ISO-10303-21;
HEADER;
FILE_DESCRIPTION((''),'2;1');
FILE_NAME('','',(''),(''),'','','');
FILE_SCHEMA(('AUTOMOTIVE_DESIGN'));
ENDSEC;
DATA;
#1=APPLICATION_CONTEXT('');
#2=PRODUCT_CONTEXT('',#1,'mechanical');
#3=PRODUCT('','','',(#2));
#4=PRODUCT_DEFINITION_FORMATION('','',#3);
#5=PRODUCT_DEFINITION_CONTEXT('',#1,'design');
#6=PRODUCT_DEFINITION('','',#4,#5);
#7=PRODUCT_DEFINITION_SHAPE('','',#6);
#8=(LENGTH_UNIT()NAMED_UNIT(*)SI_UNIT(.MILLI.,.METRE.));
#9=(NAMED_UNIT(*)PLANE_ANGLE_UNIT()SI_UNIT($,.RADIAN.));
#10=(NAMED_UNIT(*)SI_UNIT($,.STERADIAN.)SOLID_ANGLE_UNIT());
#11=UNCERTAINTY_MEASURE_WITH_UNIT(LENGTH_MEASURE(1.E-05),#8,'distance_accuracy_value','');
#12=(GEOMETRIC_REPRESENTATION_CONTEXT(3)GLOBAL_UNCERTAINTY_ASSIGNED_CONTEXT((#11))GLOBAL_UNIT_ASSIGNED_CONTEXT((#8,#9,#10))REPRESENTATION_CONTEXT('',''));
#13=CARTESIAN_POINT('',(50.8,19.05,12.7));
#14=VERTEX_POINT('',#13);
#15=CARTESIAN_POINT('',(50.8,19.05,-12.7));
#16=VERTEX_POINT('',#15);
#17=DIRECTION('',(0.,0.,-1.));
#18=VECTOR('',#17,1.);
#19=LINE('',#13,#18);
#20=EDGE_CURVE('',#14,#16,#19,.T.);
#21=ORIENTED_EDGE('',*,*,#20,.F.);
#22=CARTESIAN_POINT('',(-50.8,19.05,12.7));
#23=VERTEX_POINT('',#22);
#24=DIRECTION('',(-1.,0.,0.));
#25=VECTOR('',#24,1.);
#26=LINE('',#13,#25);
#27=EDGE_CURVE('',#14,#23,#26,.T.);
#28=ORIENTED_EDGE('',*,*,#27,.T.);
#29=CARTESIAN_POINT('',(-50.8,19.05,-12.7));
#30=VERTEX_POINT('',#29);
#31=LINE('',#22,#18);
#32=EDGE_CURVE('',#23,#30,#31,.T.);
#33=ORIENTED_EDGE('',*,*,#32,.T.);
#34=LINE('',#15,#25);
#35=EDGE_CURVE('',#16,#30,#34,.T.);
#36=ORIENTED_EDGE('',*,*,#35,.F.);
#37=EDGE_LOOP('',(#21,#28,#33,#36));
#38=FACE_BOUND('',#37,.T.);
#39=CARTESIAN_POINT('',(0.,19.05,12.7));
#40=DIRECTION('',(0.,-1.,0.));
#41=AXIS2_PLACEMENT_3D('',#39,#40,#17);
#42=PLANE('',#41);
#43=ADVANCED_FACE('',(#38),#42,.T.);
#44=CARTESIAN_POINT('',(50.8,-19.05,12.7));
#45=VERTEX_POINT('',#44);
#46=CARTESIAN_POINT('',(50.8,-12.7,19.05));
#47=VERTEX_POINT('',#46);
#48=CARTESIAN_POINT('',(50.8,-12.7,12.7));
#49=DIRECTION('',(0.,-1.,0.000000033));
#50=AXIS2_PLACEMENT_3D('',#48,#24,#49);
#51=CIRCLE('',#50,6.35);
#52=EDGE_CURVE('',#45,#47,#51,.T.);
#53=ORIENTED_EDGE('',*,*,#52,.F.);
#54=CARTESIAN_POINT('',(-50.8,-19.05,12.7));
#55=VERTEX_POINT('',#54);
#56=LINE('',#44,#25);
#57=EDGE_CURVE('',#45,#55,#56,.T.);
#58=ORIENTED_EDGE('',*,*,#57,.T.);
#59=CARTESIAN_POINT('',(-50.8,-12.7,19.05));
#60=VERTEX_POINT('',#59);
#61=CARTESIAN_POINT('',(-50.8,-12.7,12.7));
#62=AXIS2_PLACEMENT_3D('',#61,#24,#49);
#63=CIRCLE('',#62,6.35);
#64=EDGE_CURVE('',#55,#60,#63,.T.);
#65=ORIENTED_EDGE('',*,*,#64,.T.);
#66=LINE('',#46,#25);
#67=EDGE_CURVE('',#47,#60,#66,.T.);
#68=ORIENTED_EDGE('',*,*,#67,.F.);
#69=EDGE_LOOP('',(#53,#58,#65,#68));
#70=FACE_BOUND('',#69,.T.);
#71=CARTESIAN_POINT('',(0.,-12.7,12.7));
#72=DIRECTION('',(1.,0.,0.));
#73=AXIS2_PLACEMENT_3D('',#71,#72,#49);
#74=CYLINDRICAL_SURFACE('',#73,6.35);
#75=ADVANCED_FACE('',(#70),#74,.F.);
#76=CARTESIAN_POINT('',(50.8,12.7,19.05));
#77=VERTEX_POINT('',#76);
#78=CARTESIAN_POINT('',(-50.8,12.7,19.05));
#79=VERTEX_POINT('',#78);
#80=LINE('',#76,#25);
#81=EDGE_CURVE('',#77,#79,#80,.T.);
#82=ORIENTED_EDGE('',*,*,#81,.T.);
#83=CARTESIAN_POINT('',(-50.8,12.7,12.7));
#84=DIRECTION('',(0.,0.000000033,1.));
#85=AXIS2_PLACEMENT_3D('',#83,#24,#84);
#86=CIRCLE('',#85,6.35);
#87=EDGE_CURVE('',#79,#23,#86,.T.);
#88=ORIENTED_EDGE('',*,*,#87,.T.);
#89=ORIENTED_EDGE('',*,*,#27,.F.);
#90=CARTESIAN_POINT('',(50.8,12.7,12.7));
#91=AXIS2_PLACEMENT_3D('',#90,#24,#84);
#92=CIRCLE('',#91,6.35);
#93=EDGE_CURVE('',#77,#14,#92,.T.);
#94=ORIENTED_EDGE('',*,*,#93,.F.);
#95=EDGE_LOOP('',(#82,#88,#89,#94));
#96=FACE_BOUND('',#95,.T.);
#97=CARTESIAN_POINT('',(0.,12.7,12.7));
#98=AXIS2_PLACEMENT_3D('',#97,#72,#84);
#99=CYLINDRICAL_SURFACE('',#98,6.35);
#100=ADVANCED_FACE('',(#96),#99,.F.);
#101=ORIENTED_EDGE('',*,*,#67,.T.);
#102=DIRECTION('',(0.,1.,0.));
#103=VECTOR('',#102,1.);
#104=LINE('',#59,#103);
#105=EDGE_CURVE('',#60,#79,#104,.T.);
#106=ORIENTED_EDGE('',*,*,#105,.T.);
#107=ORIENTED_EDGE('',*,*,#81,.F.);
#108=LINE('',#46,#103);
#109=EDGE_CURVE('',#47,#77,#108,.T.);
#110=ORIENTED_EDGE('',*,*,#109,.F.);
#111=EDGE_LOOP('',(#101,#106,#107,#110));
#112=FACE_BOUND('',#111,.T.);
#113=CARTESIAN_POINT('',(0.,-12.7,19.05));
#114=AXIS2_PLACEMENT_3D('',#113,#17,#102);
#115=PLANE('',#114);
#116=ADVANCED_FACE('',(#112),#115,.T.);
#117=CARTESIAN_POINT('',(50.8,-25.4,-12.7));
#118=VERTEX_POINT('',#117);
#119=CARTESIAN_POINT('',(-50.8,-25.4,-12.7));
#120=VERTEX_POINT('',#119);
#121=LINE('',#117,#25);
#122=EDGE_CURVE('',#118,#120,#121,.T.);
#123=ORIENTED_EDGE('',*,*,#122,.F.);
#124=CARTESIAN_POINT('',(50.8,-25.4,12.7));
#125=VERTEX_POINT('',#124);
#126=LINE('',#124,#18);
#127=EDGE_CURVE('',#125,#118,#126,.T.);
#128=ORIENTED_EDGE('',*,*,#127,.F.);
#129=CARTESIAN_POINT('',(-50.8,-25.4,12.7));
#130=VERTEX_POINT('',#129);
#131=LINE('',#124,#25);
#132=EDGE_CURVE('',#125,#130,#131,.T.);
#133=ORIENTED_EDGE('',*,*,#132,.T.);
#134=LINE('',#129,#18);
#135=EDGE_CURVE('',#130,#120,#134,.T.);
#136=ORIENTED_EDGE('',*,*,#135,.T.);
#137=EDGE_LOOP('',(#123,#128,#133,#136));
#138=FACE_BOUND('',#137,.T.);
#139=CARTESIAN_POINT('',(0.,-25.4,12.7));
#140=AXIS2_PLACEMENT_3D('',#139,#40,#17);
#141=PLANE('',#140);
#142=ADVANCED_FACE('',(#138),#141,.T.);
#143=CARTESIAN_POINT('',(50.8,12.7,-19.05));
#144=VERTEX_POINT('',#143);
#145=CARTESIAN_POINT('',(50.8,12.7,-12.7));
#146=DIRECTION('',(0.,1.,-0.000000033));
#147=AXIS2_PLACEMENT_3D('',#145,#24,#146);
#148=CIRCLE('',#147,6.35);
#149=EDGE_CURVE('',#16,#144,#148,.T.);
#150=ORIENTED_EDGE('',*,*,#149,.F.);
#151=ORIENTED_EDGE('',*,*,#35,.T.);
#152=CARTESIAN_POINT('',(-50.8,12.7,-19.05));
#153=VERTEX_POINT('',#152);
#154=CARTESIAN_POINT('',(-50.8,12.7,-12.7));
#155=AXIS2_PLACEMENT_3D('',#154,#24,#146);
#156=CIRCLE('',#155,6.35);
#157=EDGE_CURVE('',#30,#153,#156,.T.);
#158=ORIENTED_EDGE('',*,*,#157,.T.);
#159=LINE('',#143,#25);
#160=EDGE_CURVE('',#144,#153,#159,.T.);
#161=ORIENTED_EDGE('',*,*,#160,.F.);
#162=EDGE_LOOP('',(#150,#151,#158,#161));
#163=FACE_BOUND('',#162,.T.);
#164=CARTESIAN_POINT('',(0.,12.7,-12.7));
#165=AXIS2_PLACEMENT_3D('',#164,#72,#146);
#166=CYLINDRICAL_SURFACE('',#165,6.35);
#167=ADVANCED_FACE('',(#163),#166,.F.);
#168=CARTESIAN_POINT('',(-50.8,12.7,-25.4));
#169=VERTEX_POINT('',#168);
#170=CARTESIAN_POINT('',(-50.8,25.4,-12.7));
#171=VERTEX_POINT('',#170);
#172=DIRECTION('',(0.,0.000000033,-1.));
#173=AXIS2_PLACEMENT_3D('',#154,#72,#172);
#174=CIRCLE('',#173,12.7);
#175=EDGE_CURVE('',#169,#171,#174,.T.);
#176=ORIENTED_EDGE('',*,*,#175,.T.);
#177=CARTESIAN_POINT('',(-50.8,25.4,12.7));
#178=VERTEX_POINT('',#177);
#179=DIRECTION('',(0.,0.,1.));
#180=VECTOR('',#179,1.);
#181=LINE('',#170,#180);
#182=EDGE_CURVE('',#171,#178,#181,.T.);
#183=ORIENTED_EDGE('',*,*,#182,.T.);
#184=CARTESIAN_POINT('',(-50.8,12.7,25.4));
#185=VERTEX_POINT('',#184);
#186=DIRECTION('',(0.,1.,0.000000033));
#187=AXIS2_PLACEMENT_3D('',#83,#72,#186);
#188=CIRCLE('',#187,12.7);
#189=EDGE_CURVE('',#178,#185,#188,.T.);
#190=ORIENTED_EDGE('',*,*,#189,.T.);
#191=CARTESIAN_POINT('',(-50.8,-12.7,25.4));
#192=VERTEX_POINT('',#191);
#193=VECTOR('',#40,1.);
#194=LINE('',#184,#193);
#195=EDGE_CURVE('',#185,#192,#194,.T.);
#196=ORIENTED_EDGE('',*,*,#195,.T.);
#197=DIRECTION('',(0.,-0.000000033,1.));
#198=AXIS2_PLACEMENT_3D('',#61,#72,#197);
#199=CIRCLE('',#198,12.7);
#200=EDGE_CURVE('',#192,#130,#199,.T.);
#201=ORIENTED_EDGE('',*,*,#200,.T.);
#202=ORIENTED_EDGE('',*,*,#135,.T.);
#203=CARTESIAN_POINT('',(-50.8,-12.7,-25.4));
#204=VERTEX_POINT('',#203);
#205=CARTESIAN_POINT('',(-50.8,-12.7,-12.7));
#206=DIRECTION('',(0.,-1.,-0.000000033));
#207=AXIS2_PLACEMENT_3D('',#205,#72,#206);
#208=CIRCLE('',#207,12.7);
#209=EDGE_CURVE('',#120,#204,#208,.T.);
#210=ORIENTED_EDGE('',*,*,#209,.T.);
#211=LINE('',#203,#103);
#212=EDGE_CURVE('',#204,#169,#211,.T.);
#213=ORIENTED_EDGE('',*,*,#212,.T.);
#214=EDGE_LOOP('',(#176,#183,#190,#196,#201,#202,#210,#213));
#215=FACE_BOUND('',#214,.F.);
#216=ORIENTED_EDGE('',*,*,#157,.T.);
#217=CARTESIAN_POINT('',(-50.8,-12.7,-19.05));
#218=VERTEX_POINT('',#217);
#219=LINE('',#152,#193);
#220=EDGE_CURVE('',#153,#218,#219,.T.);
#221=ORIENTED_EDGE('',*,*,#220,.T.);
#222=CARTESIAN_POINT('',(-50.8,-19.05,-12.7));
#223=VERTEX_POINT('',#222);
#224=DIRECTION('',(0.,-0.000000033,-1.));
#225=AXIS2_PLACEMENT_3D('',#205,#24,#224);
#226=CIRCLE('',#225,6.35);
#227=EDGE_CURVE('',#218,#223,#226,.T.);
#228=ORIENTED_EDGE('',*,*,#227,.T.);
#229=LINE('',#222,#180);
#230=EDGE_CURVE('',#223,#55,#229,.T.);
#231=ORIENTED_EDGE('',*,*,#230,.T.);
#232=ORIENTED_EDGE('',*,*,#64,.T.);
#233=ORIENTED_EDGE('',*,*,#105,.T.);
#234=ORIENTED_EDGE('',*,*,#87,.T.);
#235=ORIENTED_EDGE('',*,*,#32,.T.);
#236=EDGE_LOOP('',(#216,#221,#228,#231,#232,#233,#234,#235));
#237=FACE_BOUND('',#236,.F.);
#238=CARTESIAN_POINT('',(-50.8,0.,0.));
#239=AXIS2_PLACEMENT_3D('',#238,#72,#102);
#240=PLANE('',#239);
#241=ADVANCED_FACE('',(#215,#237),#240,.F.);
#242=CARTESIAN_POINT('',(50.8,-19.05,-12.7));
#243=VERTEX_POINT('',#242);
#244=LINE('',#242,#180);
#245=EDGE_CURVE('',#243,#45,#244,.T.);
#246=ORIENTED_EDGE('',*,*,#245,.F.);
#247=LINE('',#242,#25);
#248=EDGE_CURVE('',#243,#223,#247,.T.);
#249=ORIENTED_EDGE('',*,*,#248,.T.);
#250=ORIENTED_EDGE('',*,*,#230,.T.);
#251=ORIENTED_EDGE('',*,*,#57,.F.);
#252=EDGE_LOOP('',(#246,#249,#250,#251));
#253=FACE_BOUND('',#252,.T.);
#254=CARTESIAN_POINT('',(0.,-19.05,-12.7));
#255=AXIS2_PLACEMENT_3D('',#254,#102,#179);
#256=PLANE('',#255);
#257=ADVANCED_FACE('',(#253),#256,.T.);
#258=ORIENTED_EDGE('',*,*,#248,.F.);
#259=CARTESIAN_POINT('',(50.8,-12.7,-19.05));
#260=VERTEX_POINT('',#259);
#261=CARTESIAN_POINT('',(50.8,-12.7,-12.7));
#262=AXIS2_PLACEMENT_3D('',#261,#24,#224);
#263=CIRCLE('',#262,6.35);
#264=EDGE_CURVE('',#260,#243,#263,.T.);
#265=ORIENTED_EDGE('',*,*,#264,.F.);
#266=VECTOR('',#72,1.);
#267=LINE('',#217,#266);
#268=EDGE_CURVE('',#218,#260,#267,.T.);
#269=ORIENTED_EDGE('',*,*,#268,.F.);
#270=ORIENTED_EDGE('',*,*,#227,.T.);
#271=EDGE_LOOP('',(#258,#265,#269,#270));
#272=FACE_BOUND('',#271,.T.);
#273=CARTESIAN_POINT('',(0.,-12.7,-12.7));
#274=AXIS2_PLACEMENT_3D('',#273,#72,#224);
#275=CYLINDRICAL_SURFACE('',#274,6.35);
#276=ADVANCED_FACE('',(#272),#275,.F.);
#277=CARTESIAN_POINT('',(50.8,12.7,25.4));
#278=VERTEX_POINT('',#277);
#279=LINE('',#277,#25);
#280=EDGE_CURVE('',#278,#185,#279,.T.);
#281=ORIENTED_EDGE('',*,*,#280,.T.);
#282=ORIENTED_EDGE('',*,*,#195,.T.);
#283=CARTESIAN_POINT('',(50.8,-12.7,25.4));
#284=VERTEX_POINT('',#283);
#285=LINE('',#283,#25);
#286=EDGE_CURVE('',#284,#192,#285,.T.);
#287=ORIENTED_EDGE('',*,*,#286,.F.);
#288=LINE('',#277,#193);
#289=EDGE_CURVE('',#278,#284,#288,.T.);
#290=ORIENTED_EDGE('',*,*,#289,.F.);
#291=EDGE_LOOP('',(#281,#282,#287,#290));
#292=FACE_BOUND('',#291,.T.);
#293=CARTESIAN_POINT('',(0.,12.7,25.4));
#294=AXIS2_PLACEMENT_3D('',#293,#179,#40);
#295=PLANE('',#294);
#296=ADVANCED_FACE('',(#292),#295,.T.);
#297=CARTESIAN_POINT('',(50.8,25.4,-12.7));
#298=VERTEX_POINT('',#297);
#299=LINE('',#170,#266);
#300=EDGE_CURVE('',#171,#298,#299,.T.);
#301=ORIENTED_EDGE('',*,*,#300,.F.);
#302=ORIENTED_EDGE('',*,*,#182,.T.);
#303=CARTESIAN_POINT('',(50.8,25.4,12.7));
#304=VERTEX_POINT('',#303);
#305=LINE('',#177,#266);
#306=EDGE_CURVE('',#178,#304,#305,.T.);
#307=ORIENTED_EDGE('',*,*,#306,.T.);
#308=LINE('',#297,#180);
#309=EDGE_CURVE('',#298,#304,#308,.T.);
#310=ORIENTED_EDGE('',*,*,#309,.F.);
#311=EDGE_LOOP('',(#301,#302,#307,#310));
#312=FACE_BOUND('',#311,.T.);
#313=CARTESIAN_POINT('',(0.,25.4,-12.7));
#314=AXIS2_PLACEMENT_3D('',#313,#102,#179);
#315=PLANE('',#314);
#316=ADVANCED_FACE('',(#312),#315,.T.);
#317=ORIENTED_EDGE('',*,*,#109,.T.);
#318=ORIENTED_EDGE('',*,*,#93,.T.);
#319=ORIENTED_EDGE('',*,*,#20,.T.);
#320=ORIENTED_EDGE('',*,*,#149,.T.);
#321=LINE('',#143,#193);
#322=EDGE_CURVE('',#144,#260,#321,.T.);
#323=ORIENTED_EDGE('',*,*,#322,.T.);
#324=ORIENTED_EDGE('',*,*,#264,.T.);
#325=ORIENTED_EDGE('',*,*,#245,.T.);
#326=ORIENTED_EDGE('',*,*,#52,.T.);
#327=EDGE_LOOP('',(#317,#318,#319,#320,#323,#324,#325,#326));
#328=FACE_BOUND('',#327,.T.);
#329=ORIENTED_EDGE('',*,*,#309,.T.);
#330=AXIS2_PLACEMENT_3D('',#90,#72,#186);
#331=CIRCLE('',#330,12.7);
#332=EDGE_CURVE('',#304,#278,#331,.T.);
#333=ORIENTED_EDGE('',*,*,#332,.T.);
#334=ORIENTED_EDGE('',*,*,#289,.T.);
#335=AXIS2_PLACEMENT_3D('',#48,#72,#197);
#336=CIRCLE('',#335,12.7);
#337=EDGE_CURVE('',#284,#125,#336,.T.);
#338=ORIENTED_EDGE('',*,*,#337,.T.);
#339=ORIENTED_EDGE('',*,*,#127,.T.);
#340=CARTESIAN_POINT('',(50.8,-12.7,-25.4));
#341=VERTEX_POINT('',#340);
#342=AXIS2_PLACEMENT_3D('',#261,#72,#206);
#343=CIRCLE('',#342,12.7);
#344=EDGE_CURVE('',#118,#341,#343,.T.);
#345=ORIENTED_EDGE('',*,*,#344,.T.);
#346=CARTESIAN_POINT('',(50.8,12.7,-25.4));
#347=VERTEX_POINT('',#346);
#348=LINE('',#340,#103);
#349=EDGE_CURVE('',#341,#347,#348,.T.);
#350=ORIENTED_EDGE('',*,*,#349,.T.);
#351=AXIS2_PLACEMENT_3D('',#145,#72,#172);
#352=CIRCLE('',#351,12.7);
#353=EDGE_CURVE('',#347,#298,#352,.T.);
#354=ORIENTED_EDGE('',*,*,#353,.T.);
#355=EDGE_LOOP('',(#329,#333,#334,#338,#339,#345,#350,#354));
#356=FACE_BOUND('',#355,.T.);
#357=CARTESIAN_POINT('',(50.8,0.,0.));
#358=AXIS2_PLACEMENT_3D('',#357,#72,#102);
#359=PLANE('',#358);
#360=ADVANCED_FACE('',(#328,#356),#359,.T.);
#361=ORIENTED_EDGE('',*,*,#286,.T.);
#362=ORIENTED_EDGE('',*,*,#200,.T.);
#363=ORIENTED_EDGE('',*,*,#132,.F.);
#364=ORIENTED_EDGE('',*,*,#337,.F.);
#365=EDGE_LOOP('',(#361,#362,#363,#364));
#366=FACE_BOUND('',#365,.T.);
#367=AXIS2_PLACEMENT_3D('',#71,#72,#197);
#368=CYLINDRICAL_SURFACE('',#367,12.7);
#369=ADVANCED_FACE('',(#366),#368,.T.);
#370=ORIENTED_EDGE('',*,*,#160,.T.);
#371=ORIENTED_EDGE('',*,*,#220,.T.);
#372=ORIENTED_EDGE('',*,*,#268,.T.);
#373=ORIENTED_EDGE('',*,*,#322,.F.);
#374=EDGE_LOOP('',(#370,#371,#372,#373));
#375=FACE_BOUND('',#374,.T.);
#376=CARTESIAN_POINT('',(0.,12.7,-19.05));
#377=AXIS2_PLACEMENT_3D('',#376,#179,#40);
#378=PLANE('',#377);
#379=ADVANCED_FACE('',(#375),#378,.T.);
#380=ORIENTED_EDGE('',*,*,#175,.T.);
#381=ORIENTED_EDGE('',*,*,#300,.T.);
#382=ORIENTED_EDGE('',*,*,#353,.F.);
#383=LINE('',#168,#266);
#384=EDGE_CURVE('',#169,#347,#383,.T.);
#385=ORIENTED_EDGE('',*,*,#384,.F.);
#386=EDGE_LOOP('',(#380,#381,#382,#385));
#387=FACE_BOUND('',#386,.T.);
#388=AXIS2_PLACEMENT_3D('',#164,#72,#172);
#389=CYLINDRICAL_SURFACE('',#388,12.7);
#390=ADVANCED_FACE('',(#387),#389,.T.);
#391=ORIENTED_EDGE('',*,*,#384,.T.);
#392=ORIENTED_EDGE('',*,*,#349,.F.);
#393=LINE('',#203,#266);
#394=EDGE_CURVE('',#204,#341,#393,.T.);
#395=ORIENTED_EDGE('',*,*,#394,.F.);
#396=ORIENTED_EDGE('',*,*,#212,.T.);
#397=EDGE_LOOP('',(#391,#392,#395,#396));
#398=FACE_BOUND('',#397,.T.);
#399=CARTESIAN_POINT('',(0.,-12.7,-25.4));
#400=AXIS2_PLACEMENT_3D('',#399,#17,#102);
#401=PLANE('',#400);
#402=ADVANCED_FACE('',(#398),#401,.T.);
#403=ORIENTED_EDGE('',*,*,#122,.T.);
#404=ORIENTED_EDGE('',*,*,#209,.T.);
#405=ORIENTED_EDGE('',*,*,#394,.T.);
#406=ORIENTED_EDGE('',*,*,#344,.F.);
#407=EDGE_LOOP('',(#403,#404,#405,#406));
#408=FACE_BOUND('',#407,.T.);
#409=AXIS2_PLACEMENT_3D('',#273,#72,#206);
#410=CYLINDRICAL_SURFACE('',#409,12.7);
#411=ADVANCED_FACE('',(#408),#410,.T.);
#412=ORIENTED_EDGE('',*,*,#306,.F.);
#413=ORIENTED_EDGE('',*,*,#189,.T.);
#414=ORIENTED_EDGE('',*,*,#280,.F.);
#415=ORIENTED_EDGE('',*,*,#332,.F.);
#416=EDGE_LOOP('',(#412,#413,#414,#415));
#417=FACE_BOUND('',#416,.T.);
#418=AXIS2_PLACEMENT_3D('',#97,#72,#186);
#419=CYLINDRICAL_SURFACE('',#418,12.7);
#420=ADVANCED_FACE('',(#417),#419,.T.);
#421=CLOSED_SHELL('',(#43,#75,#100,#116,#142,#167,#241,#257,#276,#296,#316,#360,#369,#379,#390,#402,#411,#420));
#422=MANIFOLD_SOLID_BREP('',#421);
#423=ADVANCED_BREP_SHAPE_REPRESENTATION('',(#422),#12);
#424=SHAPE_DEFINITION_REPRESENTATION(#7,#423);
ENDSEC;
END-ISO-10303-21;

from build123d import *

# Parameters (mm, degrees)
F1_DEPTH = 50.8


with BuildPart() as f1:
    # F0 (on Right) → F1 (new body, symmetric)
    with BuildSketch(Plane.YZ):
        with BuildLine():
            ThreePointArc((-25.4, -12.7), (-21.680256, -21.680256), (-12.7, -25.4))
            Line((-12.7, -25.4), (12.7, -25.4))
            ThreePointArc((12.7, -25.4), (21.680256, -21.680256), (25.4, -12.7))
            Line((25.4, -12.7), (25.4, 12.7))
            ThreePointArc((25.4, 12.7), (21.680256, 21.680256), (12.7, 25.4))
            Line((12.7, 25.4), (-12.7, 25.4))
            ThreePointArc((-12.7, 25.4), (-21.680256, 21.680256), (-25.4, 12.7))
            Line((-25.4, 12.7), (-25.4, -12.7))
        make_face()
        with BuildLine():
            ThreePointArc((-12.7, -19.05), (-17.190128, -17.190128), (-19.05, -12.7))
            Line((-19.05, -12.7), (-19.05, 12.7))
            ThreePointArc((-19.05, 12.7), (-17.190128, 17.190128), (-12.7, 19.05))
            Line((-12.7, 19.05), (12.7, 19.05))
            ThreePointArc((12.7, 19.05), (17.190128, 17.190128), (19.05, 12.7))
            Line((19.05, 12.7), (19.05, -12.7))
            ThreePointArc((19.05, -12.7), (17.190128, -17.190128), (12.7, -19.05))
            Line((12.7, -19.05), (-12.7, -19.05))
        make_face(mode=Mode.SUBTRACT)
    extrude(amount=F1_DEPTH, both=True)


solid = f1.part
